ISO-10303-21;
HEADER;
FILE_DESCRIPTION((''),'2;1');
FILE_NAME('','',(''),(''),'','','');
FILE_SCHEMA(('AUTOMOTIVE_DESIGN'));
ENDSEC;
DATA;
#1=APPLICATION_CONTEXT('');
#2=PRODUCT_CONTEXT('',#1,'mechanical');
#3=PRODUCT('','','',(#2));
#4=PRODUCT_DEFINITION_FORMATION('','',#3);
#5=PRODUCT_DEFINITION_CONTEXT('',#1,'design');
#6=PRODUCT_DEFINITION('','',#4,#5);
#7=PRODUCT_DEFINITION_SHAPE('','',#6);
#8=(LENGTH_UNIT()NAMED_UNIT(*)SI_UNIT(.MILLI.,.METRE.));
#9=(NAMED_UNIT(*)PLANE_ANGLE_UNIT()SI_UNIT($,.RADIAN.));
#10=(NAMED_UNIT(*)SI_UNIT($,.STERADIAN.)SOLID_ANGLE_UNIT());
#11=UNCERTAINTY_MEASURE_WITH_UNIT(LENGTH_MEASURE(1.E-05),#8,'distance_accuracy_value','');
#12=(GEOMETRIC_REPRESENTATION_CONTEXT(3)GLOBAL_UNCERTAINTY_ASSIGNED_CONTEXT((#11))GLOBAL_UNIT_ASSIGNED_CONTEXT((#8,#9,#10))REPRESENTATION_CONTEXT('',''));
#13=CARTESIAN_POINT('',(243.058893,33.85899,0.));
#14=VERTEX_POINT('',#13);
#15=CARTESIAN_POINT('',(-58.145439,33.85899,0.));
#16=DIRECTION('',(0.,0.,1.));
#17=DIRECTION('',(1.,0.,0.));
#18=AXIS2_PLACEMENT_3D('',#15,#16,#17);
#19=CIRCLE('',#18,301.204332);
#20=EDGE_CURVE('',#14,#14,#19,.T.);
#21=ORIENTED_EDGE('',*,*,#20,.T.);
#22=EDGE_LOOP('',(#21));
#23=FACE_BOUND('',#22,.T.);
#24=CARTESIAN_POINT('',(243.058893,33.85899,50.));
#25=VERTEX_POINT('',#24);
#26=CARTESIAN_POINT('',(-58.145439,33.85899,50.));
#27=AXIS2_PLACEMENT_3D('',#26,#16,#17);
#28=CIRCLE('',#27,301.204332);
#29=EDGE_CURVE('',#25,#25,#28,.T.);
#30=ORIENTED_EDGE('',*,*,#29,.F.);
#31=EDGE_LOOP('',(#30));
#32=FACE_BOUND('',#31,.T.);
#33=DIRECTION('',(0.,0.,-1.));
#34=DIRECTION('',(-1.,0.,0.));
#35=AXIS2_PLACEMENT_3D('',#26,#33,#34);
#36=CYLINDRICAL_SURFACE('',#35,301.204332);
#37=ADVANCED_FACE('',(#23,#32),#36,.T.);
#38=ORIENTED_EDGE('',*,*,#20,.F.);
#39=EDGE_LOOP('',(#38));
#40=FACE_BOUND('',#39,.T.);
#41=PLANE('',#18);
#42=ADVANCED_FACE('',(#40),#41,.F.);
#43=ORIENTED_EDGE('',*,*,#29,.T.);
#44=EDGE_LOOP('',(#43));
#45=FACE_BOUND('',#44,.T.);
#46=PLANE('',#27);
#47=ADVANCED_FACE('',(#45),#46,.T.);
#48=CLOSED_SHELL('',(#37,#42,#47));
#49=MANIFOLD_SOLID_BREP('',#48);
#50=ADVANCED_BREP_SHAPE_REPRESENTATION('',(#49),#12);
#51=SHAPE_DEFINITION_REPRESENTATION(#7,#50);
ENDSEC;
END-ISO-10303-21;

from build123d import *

# Parameters (mm, degrees)
SKETCH_1_R      = 301.20433214
EXTRUDE_1_DEPTH = 50


with BuildPart() as part:
    # Эскиз1 → Бобышка-Вытянуть1 (new body)
    with BuildSketch(Plane.XY):
        with Locations((-58.145438853, 33.858989922)):
            Circle(SKETCH_1_R)
    extrude(amount=EXTRUDE_1_DEPTH)


solid = part.part
